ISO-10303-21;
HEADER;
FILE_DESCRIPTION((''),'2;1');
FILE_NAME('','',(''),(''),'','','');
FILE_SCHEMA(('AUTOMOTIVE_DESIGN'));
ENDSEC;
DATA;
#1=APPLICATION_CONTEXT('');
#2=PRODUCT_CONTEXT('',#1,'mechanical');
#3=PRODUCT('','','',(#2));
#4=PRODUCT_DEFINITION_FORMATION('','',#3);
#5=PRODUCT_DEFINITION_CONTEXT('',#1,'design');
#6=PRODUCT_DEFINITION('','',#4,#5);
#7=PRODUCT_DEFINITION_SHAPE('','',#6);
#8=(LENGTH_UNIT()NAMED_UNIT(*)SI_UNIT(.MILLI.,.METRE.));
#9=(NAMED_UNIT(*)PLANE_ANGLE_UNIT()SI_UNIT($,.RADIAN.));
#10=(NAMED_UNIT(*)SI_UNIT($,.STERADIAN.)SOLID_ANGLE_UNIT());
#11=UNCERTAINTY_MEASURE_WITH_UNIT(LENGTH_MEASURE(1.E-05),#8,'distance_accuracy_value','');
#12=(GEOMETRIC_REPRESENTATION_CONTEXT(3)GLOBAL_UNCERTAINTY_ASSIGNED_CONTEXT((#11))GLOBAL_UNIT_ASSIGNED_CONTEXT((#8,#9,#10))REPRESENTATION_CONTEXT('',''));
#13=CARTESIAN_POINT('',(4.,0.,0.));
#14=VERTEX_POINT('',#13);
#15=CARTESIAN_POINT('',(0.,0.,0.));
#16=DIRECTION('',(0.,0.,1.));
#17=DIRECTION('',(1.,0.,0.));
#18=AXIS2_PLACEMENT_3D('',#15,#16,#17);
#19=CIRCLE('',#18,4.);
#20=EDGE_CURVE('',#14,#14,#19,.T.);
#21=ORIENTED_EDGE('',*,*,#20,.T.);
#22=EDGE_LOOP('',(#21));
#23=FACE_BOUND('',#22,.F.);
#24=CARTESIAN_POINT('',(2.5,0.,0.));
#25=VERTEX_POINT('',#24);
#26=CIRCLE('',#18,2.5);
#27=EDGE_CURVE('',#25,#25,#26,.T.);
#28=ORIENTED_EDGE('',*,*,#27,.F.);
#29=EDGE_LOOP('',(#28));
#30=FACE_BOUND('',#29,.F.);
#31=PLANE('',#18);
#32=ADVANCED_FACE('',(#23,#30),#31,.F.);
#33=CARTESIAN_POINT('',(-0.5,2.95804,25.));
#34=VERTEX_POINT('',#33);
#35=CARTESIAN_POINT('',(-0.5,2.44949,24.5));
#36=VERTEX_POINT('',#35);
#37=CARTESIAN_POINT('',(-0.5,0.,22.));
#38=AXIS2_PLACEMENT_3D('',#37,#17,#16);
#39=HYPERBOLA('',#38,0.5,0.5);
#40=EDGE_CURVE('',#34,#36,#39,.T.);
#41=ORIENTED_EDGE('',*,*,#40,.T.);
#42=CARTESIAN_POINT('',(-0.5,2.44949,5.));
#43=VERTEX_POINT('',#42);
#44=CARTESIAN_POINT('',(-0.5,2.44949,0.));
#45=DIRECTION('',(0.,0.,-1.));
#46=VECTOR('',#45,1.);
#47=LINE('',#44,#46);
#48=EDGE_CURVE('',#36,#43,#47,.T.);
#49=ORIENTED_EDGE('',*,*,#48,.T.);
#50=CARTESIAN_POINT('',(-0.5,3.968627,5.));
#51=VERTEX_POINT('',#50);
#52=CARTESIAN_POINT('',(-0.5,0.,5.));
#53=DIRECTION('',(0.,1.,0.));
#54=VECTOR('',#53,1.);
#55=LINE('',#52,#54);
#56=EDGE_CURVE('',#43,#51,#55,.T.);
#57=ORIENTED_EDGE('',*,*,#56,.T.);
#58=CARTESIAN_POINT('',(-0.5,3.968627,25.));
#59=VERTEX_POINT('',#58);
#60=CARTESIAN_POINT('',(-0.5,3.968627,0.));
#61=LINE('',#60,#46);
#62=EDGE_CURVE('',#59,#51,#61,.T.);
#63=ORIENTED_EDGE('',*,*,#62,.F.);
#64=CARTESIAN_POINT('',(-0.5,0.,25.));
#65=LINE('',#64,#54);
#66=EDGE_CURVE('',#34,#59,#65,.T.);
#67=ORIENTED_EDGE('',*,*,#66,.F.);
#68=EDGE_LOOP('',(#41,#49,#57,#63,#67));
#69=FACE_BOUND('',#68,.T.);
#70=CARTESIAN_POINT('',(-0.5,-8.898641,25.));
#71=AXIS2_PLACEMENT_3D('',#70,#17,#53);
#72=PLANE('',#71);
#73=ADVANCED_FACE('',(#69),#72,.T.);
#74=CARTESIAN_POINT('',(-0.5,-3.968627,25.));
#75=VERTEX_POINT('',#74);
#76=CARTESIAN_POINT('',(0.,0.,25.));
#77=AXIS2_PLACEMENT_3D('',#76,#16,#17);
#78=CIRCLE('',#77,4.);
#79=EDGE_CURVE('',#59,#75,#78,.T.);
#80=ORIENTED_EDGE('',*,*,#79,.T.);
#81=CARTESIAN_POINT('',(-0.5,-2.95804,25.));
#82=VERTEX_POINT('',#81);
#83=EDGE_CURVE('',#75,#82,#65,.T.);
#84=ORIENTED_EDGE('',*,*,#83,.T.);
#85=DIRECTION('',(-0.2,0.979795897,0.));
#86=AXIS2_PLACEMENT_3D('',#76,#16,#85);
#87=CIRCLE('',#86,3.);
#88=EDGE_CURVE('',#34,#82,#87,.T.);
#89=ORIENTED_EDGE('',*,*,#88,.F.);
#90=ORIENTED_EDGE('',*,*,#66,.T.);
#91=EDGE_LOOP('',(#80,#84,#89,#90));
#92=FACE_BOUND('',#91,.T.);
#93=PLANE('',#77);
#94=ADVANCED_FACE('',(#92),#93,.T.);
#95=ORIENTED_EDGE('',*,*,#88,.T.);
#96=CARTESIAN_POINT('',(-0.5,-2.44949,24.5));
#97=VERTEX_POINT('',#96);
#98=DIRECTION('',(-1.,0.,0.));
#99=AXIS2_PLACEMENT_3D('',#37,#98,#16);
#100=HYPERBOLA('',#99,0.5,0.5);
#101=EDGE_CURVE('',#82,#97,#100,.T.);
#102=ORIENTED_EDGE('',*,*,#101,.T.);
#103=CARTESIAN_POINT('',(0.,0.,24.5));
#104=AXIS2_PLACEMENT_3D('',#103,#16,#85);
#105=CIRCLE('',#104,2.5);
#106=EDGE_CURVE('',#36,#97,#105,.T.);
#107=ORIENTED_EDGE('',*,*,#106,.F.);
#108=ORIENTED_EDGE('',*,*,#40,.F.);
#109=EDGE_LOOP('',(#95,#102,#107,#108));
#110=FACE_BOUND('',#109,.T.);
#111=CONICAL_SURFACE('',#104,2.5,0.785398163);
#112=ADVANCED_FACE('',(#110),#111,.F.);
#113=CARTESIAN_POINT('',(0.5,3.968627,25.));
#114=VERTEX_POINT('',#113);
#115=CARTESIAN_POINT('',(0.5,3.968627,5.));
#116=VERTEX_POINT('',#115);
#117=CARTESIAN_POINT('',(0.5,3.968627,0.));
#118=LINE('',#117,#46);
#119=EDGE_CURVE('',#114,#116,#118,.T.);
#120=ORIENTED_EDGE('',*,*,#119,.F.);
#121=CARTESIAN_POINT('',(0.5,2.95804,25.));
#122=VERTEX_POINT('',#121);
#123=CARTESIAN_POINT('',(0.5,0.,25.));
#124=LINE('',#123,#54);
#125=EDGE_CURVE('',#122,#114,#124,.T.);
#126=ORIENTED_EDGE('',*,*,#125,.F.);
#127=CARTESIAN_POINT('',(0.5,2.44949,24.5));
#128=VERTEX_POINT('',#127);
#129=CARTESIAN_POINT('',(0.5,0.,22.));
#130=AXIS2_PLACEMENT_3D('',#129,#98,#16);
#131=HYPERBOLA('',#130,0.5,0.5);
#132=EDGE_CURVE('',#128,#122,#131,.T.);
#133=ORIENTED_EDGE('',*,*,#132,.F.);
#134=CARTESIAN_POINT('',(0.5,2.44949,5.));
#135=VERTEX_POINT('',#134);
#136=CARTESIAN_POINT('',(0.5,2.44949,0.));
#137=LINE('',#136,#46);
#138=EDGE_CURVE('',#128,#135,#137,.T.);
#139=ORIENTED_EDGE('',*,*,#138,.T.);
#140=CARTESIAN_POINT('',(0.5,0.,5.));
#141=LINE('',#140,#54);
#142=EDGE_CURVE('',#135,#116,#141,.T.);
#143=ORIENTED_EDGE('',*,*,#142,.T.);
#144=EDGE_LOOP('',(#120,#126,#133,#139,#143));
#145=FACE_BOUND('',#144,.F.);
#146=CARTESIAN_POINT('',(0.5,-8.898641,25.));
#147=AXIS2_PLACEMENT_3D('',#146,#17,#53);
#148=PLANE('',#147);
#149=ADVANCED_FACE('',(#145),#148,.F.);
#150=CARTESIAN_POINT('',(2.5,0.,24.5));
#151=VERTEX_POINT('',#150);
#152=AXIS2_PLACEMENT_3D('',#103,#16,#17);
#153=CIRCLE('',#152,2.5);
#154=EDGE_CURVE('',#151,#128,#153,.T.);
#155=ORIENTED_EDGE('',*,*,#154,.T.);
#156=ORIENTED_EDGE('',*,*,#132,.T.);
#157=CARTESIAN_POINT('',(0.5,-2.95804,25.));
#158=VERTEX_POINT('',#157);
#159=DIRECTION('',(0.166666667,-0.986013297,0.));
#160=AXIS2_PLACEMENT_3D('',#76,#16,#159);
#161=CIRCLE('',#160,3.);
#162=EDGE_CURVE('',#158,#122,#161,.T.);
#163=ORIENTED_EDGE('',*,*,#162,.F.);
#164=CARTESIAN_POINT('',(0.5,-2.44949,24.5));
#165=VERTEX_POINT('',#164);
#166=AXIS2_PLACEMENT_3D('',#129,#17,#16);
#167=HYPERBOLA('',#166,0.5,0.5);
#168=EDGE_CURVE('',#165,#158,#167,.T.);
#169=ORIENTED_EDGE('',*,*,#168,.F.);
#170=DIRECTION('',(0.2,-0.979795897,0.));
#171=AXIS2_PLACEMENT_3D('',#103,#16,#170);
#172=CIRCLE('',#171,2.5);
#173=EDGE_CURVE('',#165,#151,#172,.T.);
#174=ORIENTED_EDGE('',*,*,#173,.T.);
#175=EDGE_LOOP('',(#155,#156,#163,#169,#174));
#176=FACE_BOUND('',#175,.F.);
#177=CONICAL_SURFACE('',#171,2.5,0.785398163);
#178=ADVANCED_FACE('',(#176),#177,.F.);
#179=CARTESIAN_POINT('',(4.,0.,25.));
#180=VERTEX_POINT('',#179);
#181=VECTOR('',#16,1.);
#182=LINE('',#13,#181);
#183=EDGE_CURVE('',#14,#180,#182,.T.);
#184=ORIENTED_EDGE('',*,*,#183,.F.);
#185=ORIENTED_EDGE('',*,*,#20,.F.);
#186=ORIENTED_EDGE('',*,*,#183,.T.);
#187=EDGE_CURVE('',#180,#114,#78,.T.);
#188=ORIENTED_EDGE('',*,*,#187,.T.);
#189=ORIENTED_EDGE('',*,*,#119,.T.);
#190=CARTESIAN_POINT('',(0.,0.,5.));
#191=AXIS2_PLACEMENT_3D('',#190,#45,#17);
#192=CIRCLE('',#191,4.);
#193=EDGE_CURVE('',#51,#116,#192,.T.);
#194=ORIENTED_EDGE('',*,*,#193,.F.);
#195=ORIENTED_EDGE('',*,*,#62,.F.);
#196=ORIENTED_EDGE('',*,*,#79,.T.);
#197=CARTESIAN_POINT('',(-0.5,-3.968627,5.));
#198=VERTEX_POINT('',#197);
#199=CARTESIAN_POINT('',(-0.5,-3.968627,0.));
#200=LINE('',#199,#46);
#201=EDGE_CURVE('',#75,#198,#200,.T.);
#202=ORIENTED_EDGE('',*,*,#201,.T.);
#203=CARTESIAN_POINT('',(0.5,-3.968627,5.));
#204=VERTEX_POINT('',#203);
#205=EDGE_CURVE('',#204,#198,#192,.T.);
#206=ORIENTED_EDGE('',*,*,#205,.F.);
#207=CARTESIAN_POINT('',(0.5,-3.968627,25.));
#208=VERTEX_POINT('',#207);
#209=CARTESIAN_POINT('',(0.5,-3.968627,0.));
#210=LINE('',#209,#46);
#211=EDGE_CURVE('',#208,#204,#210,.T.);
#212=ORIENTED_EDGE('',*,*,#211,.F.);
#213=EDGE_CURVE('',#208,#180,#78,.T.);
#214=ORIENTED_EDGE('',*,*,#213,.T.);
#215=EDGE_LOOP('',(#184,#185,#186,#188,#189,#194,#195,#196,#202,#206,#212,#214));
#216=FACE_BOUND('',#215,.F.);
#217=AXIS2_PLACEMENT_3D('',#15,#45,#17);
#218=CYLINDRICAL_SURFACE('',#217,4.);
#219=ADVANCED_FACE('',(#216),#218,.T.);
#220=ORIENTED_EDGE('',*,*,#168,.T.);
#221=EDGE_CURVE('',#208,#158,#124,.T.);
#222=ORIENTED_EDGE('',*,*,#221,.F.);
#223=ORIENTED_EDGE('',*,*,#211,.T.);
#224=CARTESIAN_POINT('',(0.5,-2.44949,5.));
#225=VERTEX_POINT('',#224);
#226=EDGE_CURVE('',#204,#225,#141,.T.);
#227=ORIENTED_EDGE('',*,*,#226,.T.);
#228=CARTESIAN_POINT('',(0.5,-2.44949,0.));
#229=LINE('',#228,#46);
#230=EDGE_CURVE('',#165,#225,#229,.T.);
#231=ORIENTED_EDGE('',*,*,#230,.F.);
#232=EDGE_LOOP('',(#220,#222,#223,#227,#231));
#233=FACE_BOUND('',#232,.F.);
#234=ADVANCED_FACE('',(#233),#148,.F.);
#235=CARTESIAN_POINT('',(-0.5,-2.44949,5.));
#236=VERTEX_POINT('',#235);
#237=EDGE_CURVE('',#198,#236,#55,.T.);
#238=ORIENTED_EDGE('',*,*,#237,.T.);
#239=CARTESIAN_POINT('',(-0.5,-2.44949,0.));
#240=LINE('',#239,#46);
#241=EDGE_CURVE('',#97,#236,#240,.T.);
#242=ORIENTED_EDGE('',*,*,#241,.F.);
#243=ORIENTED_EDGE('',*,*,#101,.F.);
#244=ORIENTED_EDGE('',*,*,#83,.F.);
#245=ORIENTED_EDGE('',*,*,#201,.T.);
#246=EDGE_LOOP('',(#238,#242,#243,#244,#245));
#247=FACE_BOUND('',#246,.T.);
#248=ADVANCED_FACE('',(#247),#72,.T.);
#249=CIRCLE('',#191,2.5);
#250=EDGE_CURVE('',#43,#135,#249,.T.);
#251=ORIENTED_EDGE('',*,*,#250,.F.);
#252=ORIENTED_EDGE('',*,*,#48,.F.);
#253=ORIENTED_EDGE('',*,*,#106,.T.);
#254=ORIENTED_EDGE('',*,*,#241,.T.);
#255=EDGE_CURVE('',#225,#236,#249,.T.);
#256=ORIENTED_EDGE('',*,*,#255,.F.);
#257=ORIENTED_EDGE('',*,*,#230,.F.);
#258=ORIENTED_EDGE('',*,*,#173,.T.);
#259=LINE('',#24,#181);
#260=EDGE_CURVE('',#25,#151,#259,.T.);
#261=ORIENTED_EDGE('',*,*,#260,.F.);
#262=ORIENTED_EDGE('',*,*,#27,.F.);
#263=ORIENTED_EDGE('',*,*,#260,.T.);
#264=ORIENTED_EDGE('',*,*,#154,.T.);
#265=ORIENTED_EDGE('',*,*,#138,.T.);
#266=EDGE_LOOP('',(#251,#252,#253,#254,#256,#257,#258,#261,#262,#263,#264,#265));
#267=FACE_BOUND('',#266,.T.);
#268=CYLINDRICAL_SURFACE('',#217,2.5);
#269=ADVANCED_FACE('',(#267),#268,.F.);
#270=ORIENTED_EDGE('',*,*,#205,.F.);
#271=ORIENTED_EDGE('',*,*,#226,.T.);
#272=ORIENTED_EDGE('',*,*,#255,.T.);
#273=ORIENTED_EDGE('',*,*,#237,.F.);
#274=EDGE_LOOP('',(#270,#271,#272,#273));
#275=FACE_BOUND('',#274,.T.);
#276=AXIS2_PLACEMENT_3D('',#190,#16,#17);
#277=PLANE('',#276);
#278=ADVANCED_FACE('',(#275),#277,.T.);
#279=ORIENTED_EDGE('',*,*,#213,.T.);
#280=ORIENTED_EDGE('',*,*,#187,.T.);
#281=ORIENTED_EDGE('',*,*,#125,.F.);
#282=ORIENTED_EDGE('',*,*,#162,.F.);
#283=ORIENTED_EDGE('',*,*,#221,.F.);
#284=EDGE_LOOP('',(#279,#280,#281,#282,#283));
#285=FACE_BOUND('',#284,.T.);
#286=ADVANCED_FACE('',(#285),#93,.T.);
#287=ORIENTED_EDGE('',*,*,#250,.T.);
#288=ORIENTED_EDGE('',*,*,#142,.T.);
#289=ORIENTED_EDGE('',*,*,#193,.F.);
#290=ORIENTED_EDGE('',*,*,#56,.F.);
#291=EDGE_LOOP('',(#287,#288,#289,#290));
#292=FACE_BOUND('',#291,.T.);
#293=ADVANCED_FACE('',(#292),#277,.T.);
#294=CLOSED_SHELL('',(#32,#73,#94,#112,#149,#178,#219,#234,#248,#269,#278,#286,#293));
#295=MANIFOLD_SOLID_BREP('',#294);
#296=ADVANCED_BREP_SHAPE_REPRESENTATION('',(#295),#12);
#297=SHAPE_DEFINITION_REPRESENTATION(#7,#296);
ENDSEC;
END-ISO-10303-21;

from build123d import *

# Parameters (mm, degrees)
SKETCH_R        = 4
SKETCH_R_2      = 2.5
PAD_DEPTH       = 25
SKETCH001_W     = 1
SKETCH001_H     = 17.797282
POCKET_DEPTH    = 20
CHAMFER_SIZE    = 0.5
CHAMFER001_SIZE = 0.5


with BuildPart() as part:
    # Sketch → Pad (new body)
    with BuildSketch(Plane.XY):
        Circle(SKETCH_R)
        Circle(SKETCH_R_2, mode=Mode.SUBTRACT)
    extrude(amount=PAD_DEPTH)

    # Sketch001 (on Face4 of Pad) → Pocket (cut)
    with BuildSketch(Plane.XY.offset(25)):
        Rectangle(SKETCH001_W, SKETCH001_H)
    extrude(amount=-POCKET_DEPTH, mode=Mode.SUBTRACT)

    # Chamfer
    chamfer_edges = [part.edges().sort_by_distance(p)[0] for p in [
        (-2.5, 0, 25),
    ]]
    chamfer(chamfer_edges, length=CHAMFER_SIZE)

    # Chamfer001
    chamfer001_edges = [part.edges().sort_by_distance(p)[0] for p in [
        (1.936492, 1.581139, 25),
        (1.936492, -1.581139, 25),
    ]]
    chamfer(chamfer001_edges, length=CHAMFER001_SIZE)


solid = part.part
